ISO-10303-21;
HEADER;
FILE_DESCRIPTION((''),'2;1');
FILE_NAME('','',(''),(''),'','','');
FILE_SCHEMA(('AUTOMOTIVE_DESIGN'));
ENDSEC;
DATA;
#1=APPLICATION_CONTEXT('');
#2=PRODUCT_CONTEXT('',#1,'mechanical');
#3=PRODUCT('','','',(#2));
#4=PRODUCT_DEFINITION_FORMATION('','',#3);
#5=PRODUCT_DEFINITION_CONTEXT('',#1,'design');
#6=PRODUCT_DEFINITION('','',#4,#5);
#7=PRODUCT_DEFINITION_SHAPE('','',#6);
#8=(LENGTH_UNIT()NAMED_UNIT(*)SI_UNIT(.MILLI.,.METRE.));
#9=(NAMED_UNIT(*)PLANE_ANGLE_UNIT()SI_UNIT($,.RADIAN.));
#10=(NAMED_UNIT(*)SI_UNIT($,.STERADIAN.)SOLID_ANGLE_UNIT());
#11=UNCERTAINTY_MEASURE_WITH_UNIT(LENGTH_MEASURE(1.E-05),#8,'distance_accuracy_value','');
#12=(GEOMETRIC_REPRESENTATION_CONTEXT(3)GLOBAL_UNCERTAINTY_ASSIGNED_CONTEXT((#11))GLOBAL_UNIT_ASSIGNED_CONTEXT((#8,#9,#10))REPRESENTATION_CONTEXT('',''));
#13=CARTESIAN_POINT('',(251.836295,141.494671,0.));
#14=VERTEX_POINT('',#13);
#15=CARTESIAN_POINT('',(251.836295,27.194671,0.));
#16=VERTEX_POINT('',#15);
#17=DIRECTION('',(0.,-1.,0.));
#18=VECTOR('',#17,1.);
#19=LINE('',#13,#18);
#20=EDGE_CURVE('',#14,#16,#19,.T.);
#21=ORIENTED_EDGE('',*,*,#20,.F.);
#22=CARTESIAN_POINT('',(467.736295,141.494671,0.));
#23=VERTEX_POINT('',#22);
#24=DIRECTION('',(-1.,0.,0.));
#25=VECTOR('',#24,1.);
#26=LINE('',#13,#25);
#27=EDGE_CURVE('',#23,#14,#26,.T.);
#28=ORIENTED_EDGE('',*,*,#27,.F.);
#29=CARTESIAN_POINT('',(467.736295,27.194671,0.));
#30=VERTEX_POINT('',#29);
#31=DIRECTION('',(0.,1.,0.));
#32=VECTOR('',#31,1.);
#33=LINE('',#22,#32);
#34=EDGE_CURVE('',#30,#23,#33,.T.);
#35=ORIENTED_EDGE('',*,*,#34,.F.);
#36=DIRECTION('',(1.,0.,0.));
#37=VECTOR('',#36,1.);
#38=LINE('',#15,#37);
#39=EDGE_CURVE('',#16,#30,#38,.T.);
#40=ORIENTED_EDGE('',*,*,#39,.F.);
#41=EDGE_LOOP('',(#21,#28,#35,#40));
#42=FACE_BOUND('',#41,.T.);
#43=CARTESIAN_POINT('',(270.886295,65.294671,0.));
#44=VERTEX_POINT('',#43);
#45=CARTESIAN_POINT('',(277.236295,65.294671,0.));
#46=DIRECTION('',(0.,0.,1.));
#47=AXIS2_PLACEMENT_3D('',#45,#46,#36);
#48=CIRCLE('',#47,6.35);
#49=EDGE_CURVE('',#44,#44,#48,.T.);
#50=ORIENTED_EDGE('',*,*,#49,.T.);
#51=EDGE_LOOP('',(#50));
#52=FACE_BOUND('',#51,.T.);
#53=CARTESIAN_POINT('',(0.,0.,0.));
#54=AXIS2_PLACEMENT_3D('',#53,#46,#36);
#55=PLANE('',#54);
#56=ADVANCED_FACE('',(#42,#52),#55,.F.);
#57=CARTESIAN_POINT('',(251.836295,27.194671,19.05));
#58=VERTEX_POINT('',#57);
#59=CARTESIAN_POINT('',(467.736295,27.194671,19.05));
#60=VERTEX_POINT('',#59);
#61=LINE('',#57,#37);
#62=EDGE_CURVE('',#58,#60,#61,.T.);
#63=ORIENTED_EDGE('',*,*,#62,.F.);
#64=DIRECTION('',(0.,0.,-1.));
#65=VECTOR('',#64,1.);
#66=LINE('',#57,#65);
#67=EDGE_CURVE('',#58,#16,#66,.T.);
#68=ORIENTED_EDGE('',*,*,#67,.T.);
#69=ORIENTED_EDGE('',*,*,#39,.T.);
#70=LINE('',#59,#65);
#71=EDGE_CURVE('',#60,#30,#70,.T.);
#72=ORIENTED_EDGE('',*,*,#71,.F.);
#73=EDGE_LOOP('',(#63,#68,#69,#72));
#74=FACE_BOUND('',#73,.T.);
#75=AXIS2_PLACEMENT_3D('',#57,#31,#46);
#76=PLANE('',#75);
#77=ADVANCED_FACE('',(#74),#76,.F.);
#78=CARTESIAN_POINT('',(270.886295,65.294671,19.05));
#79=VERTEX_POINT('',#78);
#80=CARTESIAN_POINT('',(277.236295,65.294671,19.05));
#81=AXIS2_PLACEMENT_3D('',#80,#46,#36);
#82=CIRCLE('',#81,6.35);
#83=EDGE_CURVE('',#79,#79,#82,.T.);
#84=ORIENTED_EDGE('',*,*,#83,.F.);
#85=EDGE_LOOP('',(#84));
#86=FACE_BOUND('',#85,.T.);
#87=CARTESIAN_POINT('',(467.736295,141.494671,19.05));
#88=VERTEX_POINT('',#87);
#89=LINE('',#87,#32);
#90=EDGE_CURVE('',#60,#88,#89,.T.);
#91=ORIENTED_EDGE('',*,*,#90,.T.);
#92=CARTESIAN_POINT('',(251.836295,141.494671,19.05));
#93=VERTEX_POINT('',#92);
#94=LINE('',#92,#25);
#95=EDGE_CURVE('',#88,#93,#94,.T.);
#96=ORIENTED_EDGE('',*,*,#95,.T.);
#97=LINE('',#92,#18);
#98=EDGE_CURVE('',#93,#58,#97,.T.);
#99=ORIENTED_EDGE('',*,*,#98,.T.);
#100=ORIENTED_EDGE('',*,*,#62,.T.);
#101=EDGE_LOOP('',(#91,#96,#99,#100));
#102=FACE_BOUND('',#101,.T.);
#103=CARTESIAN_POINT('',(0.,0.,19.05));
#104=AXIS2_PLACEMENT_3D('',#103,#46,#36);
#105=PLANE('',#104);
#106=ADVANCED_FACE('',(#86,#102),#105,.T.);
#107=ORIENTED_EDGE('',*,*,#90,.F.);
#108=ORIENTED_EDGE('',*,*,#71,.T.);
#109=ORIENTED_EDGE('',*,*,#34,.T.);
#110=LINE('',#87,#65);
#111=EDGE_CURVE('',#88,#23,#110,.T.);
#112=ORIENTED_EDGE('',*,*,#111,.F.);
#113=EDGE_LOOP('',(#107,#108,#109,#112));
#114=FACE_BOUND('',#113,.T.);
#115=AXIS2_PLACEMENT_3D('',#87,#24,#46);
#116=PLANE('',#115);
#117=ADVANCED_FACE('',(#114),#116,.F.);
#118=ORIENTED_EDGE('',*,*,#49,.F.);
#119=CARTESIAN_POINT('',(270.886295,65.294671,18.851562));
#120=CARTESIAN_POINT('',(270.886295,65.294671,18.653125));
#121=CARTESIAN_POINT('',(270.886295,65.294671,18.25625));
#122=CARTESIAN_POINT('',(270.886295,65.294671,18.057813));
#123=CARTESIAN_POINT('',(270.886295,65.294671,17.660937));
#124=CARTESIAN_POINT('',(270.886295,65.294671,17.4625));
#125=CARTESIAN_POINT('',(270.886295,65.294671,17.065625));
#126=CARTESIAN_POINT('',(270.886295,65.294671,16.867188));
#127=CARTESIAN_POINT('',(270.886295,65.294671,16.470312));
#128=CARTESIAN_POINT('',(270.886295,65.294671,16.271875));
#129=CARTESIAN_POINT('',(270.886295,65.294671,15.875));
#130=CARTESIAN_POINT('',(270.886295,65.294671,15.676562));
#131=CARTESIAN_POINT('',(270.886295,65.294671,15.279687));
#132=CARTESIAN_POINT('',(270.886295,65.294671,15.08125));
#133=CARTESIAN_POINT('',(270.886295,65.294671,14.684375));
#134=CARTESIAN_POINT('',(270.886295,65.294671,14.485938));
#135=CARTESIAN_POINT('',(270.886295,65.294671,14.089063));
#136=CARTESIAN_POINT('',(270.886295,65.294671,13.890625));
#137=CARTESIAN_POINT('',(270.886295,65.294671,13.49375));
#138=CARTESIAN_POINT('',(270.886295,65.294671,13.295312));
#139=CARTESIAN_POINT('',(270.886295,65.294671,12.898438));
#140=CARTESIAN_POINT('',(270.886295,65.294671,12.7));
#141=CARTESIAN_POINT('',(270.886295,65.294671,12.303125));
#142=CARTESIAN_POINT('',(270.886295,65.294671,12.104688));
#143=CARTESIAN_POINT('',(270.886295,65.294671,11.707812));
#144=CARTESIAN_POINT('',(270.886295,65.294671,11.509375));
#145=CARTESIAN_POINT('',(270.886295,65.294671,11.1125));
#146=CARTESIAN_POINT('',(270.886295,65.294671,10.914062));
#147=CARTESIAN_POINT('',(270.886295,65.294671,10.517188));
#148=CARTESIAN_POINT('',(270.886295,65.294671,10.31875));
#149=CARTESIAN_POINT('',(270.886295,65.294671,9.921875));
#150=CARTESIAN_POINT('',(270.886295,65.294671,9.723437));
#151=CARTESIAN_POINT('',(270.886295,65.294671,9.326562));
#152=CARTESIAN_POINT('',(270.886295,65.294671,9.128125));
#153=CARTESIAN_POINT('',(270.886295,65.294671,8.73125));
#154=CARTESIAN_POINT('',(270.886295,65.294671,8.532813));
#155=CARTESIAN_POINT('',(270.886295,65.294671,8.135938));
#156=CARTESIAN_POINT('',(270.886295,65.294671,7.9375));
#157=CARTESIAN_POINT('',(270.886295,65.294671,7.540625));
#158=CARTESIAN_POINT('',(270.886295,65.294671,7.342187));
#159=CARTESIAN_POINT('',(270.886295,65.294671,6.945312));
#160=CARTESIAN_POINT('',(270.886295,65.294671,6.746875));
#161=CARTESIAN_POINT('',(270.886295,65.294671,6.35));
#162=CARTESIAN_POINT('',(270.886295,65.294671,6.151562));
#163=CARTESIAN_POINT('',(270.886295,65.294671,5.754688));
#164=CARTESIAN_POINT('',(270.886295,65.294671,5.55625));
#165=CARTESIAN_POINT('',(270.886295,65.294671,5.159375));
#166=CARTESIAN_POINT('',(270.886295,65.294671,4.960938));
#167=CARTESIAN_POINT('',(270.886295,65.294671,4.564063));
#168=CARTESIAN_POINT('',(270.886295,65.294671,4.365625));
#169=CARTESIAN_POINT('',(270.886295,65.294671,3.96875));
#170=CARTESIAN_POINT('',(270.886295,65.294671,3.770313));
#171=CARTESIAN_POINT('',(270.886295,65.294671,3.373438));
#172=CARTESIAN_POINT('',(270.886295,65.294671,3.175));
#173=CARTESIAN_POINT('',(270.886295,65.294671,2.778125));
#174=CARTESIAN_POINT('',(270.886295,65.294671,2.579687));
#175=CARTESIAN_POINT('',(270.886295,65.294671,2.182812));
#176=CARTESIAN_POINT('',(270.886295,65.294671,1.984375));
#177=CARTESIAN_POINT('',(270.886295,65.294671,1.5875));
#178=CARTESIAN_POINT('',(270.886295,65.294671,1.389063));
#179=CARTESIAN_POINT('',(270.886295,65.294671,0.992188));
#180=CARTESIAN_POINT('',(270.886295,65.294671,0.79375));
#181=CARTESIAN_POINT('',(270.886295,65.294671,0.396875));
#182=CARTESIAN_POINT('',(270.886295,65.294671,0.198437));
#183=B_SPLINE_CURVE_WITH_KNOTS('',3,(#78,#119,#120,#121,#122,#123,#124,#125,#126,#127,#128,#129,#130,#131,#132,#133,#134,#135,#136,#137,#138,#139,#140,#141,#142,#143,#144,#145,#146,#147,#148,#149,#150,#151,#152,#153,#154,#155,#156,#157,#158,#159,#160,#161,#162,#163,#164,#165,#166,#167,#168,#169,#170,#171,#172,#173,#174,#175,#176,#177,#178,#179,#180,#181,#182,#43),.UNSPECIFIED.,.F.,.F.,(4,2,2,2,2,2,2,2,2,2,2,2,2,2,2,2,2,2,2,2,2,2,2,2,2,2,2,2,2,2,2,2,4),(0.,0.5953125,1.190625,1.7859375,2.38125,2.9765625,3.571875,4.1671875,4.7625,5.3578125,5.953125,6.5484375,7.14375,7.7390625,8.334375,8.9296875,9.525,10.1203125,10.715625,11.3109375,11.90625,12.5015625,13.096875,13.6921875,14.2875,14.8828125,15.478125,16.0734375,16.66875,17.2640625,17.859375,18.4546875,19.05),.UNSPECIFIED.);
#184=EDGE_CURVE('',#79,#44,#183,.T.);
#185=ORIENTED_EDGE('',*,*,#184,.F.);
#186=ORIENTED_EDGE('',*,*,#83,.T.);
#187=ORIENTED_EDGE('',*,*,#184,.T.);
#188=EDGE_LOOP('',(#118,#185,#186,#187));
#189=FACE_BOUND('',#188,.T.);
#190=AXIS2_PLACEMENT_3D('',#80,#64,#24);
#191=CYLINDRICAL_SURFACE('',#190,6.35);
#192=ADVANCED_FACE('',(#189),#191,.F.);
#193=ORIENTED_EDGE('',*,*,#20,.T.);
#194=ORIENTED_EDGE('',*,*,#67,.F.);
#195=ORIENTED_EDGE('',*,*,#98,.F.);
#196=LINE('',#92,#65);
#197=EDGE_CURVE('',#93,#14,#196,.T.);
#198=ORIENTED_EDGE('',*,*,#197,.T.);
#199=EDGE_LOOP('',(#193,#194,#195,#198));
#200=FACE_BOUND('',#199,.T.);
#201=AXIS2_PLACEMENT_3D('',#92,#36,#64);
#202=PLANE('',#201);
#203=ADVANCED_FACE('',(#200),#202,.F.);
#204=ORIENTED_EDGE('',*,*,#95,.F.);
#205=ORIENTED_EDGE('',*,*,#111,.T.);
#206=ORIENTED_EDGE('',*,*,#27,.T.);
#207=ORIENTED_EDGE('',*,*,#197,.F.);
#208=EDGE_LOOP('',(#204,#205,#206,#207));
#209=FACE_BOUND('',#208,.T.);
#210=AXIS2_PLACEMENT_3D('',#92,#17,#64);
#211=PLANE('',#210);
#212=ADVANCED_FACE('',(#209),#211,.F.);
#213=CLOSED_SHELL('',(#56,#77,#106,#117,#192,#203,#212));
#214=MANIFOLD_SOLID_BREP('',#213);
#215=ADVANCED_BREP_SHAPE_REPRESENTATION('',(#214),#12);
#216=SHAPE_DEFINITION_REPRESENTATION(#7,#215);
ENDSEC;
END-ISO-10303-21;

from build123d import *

# Parameters (mm, degrees)
SKETCH2_W           = 215.9
SKETCH2_H           = 114.3
SKETCH2_R           = 6.35
BOSS_EXTRUDE1_DEPTH = 19.05


with BuildPart() as part:
    # Sketch2 → Boss-Extrude1 (new body)
    with BuildSketch(Plane.XY):
        with Locations((359.786295427, 84.34467147)):
            Rectangle(SKETCH2_W, SKETCH2_H)
        with Locations(Location((277.236295427, 65.29467147, 0), (0, 0, 180))):
            Circle(SKETCH2_R, mode=Mode.SUBTRACT)
    extrude(amount=BOSS_EXTRUDE1_DEPTH)


solid = part.part
